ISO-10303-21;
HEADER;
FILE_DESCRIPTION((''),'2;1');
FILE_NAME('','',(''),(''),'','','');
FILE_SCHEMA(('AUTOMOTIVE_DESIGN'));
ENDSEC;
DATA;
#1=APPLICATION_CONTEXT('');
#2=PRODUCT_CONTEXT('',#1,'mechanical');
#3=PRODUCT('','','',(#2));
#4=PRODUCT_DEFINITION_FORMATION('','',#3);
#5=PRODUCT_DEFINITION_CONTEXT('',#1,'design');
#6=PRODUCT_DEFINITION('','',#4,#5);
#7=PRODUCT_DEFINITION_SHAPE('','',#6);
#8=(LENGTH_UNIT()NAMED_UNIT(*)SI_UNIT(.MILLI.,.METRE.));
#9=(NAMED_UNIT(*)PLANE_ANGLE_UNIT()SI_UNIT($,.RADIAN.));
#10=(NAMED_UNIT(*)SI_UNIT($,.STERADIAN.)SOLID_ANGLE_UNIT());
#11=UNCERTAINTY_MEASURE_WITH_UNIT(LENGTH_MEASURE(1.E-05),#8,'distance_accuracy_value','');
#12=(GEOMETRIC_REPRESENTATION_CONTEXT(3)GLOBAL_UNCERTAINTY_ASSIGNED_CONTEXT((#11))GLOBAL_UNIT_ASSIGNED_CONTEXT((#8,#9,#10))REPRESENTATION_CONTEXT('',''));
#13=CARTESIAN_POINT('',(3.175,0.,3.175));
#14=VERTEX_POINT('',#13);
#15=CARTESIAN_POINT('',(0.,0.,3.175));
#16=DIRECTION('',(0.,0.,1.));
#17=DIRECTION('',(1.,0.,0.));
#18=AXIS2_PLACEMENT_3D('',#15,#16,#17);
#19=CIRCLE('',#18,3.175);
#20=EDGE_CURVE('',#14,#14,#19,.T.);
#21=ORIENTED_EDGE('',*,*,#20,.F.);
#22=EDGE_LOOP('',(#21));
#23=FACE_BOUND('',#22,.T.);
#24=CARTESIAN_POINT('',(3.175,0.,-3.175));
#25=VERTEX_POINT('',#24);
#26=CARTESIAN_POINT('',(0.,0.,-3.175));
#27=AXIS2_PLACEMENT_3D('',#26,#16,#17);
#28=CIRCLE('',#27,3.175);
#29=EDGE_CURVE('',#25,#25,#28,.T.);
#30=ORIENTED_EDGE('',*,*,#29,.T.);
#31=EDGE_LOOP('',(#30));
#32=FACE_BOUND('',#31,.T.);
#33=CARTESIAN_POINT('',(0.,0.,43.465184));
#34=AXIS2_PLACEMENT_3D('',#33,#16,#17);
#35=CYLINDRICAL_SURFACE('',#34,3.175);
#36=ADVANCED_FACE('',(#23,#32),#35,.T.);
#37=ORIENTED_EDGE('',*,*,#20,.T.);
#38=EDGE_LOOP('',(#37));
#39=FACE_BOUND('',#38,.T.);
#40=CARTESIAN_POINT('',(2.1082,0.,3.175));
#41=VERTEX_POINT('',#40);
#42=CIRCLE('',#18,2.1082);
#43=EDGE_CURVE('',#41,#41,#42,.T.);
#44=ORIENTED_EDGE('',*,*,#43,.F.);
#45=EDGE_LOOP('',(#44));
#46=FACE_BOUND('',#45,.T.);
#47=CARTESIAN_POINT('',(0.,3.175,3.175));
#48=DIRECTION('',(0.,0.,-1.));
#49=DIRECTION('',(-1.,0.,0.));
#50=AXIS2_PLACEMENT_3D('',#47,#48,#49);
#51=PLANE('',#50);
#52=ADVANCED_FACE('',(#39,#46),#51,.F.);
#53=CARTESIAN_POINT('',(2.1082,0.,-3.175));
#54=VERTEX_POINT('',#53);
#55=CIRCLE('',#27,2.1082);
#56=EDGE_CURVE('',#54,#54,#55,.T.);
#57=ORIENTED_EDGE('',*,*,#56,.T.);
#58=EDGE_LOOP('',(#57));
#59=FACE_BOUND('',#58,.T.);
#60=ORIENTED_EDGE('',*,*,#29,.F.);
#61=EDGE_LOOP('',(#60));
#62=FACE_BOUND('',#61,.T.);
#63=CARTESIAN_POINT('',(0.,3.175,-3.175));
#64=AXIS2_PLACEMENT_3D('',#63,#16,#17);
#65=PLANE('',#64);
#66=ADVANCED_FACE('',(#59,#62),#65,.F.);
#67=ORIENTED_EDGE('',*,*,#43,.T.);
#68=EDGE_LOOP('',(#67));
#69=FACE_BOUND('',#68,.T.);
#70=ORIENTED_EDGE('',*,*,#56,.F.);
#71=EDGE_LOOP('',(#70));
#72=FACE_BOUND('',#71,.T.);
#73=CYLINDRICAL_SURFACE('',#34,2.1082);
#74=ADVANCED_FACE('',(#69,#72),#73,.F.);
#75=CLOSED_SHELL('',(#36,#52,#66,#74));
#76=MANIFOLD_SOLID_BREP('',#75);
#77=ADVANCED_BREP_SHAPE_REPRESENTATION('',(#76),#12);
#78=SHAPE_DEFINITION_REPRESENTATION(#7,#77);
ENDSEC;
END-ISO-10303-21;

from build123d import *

# Parameters (mm, degrees)
SKETCH1_W = 6.35
SKETCH1_H = 1.0668


with BuildPart() as part:
    # Sketch1 → Revolve1 (revolve)
    with BuildSketch(Plane(origin=(0, 0, 0), x_dir=(0, 0, -1), z_dir=(1, 0, 0)), mode=Mode.PRIVATE) as revolve1_sk:
        with Locations((0, 2.6416)):
            Rectangle(SKETCH1_W, SKETCH1_H)
    revolve(revolve1_sk.sketch.rotate(Axis((0, 0, 43.465184419), (0, 0, -1)), 90), axis=Axis((0, 0, 43.465184419), (0, 0, -1)))


solid = part.part
